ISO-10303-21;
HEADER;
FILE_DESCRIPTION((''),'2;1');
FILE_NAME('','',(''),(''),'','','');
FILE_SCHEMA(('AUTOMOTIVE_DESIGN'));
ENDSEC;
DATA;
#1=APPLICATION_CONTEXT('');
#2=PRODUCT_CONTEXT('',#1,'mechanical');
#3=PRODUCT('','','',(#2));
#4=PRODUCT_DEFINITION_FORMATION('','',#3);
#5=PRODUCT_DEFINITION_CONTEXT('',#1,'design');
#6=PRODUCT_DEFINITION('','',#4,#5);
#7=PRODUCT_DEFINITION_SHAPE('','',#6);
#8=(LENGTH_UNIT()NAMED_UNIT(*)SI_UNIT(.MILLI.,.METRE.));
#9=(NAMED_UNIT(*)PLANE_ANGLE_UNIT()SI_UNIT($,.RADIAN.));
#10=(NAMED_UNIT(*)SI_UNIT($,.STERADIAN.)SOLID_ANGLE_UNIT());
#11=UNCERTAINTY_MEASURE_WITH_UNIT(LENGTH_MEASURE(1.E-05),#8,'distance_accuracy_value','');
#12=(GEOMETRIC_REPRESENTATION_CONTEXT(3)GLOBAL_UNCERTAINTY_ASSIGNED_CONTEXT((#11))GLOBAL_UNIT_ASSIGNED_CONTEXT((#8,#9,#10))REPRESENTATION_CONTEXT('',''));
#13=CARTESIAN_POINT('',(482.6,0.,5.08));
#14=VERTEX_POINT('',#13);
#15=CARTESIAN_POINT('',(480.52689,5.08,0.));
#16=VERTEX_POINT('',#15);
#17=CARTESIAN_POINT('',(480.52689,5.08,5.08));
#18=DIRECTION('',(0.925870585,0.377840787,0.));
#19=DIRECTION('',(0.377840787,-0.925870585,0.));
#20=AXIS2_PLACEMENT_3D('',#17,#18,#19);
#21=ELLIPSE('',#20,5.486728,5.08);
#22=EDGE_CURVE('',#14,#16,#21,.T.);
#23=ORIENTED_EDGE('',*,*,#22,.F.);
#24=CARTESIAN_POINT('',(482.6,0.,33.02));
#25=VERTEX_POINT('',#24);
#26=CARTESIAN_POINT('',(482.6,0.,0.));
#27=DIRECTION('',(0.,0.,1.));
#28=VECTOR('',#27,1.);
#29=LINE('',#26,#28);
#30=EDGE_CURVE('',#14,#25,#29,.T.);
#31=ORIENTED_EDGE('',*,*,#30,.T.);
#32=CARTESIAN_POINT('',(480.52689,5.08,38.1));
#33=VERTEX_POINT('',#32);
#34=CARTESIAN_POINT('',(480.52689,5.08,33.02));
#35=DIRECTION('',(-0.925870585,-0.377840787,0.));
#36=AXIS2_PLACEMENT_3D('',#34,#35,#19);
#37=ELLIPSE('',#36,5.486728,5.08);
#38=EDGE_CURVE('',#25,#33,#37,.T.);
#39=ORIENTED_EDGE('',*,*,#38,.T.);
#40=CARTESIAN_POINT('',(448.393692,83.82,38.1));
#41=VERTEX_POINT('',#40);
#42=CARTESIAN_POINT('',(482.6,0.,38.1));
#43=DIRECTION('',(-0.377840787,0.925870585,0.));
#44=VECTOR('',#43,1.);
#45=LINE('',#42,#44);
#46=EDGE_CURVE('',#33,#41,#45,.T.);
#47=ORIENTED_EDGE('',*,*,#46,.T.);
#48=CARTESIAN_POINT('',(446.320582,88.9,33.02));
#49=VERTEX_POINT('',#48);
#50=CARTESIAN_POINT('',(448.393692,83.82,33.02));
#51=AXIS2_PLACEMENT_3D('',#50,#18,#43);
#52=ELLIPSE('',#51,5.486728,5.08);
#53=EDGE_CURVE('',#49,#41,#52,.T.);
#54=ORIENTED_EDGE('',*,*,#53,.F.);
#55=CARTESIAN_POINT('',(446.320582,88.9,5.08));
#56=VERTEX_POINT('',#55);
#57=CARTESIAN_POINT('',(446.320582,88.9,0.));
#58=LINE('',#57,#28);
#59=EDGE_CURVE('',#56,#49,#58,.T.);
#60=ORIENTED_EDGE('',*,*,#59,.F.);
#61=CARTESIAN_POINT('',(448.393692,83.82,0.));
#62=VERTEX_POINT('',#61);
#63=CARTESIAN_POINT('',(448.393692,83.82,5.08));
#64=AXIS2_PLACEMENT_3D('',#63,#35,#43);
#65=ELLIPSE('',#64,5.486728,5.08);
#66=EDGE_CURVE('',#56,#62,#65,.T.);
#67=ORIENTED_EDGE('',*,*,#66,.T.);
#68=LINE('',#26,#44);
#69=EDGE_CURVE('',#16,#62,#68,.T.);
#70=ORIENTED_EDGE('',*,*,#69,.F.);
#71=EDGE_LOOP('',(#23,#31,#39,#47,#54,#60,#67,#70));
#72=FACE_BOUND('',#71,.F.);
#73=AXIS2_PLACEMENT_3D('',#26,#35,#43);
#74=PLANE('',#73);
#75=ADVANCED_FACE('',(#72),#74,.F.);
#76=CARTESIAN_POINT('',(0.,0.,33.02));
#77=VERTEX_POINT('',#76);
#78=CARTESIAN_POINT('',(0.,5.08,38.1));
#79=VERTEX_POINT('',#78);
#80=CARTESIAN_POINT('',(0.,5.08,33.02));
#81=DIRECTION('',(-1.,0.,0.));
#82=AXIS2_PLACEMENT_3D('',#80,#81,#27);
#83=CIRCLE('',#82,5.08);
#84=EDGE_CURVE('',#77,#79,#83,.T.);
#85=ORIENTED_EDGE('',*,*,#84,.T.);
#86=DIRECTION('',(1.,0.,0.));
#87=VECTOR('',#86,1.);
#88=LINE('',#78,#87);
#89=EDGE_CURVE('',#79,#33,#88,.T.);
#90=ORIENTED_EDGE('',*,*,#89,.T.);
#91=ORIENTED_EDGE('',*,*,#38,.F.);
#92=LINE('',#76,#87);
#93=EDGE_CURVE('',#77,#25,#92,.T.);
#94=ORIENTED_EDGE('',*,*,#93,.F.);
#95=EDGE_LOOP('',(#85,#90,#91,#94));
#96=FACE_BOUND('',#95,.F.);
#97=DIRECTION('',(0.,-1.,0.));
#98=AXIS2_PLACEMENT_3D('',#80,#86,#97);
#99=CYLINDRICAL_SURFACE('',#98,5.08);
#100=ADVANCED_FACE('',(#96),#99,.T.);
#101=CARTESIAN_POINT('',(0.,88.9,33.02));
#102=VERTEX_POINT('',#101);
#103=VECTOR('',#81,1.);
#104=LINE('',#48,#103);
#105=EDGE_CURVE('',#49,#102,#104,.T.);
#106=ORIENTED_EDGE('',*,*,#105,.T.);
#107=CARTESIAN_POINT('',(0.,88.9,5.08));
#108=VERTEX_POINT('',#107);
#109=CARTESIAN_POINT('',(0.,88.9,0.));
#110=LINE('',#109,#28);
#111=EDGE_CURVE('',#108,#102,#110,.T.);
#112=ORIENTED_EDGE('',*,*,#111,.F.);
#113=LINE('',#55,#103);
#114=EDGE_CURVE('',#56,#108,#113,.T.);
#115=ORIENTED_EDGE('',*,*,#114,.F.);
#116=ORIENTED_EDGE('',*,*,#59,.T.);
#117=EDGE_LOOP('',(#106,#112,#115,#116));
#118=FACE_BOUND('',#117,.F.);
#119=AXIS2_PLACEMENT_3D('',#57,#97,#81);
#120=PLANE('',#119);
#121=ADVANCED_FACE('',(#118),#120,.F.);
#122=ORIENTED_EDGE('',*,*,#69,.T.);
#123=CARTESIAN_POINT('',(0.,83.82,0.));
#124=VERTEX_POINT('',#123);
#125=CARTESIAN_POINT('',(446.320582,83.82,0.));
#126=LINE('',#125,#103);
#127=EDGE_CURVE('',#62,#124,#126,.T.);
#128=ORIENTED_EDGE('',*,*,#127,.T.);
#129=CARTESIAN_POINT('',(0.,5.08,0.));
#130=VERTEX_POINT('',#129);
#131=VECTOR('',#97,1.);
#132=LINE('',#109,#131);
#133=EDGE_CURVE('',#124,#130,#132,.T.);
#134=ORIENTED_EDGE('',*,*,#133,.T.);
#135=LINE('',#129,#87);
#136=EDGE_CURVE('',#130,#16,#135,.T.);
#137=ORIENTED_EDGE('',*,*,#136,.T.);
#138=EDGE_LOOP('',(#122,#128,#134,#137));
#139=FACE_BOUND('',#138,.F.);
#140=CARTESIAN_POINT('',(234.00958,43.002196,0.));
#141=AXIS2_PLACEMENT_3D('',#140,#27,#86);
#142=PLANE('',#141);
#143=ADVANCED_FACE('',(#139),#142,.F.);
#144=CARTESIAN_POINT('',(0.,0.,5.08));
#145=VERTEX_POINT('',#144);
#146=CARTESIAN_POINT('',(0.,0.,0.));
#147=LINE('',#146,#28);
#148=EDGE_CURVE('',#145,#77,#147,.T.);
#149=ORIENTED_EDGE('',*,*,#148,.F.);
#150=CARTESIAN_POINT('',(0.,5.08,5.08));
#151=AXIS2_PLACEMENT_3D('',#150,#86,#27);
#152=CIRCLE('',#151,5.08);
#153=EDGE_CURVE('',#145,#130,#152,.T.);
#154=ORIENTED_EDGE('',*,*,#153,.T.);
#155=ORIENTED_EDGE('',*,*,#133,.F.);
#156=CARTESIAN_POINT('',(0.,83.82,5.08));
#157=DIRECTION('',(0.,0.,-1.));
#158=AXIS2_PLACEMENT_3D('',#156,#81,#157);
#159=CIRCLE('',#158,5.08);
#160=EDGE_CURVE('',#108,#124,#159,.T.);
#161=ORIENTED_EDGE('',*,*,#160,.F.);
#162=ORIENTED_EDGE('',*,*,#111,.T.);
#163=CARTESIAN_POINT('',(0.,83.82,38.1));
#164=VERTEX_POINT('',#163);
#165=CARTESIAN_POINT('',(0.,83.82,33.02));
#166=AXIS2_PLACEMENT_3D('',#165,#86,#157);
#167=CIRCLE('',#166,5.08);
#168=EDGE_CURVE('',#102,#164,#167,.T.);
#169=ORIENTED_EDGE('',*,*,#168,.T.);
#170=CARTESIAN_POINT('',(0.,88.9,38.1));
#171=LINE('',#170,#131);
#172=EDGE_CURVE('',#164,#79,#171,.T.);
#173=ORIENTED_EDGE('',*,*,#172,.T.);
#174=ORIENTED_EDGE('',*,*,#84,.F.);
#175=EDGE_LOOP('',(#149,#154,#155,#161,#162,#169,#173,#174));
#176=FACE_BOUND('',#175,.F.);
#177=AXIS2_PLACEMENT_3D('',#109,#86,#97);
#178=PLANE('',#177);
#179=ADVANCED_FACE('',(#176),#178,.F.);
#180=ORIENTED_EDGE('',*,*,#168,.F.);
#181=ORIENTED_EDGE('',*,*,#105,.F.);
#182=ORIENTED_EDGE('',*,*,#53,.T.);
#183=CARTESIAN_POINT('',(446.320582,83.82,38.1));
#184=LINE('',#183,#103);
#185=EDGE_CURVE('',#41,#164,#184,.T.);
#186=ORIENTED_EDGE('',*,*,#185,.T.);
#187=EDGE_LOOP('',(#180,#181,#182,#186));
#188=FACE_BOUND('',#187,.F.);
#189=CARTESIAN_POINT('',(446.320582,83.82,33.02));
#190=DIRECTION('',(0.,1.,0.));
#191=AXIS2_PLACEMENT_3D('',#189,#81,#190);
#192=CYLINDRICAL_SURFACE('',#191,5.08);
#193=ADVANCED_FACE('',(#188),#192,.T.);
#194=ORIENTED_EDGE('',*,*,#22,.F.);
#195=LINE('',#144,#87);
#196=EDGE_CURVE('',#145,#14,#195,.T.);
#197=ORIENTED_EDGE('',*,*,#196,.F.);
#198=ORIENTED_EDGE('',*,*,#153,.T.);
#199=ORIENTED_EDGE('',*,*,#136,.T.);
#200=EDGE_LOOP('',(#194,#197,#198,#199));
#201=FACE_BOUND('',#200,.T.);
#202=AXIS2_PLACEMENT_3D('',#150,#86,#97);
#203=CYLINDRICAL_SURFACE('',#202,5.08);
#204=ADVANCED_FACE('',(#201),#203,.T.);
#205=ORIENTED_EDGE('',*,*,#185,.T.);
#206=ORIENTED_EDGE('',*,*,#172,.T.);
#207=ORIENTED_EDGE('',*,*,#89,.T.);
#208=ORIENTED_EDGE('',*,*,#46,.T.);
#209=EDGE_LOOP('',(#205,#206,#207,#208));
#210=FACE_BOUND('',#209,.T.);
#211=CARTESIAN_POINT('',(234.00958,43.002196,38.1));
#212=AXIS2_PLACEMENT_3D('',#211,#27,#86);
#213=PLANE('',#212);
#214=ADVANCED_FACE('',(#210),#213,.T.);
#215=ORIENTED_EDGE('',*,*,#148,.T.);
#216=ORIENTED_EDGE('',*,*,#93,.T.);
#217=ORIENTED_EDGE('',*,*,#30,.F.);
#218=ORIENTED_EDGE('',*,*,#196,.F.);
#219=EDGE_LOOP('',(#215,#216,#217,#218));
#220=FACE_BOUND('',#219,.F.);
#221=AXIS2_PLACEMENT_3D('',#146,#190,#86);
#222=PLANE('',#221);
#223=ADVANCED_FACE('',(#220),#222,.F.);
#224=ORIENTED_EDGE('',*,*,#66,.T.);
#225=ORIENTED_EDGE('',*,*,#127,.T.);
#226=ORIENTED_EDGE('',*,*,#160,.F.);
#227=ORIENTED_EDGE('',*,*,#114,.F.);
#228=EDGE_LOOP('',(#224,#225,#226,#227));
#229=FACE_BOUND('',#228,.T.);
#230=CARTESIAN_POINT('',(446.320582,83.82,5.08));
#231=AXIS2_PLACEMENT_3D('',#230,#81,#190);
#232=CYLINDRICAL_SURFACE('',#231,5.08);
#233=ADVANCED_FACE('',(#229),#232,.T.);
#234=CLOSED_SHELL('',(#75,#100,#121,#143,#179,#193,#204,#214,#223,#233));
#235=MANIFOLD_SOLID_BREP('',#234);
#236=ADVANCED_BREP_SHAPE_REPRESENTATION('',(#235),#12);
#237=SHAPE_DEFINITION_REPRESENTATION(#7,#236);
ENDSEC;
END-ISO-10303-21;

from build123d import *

# Parameters (mm, degrees)
F1_DEPTH = 38.1
F2_R     = 5.08


with BuildPart() as f1:
    # F0 (on Top) → F1 (new body)
    with BuildSketch(Plane.XY):
        Polygon((446.320582, 88.9), (0, 88.9), (0, 0), (482.6, 0), align=None)
    extrude(amount=F1_DEPTH)

    # F2
    f2_edges = [f1.edges().sort_by_distance(p)[0] for p in [
        (223.160291, 88.9, 38.1),
        (241.3, 0, 38.1),
        (223.160291, 88.9, 0),
        (241.3, 0, 0),
    ]]
    fillet(f2_edges, radius=F2_R)


solid = f1.part
